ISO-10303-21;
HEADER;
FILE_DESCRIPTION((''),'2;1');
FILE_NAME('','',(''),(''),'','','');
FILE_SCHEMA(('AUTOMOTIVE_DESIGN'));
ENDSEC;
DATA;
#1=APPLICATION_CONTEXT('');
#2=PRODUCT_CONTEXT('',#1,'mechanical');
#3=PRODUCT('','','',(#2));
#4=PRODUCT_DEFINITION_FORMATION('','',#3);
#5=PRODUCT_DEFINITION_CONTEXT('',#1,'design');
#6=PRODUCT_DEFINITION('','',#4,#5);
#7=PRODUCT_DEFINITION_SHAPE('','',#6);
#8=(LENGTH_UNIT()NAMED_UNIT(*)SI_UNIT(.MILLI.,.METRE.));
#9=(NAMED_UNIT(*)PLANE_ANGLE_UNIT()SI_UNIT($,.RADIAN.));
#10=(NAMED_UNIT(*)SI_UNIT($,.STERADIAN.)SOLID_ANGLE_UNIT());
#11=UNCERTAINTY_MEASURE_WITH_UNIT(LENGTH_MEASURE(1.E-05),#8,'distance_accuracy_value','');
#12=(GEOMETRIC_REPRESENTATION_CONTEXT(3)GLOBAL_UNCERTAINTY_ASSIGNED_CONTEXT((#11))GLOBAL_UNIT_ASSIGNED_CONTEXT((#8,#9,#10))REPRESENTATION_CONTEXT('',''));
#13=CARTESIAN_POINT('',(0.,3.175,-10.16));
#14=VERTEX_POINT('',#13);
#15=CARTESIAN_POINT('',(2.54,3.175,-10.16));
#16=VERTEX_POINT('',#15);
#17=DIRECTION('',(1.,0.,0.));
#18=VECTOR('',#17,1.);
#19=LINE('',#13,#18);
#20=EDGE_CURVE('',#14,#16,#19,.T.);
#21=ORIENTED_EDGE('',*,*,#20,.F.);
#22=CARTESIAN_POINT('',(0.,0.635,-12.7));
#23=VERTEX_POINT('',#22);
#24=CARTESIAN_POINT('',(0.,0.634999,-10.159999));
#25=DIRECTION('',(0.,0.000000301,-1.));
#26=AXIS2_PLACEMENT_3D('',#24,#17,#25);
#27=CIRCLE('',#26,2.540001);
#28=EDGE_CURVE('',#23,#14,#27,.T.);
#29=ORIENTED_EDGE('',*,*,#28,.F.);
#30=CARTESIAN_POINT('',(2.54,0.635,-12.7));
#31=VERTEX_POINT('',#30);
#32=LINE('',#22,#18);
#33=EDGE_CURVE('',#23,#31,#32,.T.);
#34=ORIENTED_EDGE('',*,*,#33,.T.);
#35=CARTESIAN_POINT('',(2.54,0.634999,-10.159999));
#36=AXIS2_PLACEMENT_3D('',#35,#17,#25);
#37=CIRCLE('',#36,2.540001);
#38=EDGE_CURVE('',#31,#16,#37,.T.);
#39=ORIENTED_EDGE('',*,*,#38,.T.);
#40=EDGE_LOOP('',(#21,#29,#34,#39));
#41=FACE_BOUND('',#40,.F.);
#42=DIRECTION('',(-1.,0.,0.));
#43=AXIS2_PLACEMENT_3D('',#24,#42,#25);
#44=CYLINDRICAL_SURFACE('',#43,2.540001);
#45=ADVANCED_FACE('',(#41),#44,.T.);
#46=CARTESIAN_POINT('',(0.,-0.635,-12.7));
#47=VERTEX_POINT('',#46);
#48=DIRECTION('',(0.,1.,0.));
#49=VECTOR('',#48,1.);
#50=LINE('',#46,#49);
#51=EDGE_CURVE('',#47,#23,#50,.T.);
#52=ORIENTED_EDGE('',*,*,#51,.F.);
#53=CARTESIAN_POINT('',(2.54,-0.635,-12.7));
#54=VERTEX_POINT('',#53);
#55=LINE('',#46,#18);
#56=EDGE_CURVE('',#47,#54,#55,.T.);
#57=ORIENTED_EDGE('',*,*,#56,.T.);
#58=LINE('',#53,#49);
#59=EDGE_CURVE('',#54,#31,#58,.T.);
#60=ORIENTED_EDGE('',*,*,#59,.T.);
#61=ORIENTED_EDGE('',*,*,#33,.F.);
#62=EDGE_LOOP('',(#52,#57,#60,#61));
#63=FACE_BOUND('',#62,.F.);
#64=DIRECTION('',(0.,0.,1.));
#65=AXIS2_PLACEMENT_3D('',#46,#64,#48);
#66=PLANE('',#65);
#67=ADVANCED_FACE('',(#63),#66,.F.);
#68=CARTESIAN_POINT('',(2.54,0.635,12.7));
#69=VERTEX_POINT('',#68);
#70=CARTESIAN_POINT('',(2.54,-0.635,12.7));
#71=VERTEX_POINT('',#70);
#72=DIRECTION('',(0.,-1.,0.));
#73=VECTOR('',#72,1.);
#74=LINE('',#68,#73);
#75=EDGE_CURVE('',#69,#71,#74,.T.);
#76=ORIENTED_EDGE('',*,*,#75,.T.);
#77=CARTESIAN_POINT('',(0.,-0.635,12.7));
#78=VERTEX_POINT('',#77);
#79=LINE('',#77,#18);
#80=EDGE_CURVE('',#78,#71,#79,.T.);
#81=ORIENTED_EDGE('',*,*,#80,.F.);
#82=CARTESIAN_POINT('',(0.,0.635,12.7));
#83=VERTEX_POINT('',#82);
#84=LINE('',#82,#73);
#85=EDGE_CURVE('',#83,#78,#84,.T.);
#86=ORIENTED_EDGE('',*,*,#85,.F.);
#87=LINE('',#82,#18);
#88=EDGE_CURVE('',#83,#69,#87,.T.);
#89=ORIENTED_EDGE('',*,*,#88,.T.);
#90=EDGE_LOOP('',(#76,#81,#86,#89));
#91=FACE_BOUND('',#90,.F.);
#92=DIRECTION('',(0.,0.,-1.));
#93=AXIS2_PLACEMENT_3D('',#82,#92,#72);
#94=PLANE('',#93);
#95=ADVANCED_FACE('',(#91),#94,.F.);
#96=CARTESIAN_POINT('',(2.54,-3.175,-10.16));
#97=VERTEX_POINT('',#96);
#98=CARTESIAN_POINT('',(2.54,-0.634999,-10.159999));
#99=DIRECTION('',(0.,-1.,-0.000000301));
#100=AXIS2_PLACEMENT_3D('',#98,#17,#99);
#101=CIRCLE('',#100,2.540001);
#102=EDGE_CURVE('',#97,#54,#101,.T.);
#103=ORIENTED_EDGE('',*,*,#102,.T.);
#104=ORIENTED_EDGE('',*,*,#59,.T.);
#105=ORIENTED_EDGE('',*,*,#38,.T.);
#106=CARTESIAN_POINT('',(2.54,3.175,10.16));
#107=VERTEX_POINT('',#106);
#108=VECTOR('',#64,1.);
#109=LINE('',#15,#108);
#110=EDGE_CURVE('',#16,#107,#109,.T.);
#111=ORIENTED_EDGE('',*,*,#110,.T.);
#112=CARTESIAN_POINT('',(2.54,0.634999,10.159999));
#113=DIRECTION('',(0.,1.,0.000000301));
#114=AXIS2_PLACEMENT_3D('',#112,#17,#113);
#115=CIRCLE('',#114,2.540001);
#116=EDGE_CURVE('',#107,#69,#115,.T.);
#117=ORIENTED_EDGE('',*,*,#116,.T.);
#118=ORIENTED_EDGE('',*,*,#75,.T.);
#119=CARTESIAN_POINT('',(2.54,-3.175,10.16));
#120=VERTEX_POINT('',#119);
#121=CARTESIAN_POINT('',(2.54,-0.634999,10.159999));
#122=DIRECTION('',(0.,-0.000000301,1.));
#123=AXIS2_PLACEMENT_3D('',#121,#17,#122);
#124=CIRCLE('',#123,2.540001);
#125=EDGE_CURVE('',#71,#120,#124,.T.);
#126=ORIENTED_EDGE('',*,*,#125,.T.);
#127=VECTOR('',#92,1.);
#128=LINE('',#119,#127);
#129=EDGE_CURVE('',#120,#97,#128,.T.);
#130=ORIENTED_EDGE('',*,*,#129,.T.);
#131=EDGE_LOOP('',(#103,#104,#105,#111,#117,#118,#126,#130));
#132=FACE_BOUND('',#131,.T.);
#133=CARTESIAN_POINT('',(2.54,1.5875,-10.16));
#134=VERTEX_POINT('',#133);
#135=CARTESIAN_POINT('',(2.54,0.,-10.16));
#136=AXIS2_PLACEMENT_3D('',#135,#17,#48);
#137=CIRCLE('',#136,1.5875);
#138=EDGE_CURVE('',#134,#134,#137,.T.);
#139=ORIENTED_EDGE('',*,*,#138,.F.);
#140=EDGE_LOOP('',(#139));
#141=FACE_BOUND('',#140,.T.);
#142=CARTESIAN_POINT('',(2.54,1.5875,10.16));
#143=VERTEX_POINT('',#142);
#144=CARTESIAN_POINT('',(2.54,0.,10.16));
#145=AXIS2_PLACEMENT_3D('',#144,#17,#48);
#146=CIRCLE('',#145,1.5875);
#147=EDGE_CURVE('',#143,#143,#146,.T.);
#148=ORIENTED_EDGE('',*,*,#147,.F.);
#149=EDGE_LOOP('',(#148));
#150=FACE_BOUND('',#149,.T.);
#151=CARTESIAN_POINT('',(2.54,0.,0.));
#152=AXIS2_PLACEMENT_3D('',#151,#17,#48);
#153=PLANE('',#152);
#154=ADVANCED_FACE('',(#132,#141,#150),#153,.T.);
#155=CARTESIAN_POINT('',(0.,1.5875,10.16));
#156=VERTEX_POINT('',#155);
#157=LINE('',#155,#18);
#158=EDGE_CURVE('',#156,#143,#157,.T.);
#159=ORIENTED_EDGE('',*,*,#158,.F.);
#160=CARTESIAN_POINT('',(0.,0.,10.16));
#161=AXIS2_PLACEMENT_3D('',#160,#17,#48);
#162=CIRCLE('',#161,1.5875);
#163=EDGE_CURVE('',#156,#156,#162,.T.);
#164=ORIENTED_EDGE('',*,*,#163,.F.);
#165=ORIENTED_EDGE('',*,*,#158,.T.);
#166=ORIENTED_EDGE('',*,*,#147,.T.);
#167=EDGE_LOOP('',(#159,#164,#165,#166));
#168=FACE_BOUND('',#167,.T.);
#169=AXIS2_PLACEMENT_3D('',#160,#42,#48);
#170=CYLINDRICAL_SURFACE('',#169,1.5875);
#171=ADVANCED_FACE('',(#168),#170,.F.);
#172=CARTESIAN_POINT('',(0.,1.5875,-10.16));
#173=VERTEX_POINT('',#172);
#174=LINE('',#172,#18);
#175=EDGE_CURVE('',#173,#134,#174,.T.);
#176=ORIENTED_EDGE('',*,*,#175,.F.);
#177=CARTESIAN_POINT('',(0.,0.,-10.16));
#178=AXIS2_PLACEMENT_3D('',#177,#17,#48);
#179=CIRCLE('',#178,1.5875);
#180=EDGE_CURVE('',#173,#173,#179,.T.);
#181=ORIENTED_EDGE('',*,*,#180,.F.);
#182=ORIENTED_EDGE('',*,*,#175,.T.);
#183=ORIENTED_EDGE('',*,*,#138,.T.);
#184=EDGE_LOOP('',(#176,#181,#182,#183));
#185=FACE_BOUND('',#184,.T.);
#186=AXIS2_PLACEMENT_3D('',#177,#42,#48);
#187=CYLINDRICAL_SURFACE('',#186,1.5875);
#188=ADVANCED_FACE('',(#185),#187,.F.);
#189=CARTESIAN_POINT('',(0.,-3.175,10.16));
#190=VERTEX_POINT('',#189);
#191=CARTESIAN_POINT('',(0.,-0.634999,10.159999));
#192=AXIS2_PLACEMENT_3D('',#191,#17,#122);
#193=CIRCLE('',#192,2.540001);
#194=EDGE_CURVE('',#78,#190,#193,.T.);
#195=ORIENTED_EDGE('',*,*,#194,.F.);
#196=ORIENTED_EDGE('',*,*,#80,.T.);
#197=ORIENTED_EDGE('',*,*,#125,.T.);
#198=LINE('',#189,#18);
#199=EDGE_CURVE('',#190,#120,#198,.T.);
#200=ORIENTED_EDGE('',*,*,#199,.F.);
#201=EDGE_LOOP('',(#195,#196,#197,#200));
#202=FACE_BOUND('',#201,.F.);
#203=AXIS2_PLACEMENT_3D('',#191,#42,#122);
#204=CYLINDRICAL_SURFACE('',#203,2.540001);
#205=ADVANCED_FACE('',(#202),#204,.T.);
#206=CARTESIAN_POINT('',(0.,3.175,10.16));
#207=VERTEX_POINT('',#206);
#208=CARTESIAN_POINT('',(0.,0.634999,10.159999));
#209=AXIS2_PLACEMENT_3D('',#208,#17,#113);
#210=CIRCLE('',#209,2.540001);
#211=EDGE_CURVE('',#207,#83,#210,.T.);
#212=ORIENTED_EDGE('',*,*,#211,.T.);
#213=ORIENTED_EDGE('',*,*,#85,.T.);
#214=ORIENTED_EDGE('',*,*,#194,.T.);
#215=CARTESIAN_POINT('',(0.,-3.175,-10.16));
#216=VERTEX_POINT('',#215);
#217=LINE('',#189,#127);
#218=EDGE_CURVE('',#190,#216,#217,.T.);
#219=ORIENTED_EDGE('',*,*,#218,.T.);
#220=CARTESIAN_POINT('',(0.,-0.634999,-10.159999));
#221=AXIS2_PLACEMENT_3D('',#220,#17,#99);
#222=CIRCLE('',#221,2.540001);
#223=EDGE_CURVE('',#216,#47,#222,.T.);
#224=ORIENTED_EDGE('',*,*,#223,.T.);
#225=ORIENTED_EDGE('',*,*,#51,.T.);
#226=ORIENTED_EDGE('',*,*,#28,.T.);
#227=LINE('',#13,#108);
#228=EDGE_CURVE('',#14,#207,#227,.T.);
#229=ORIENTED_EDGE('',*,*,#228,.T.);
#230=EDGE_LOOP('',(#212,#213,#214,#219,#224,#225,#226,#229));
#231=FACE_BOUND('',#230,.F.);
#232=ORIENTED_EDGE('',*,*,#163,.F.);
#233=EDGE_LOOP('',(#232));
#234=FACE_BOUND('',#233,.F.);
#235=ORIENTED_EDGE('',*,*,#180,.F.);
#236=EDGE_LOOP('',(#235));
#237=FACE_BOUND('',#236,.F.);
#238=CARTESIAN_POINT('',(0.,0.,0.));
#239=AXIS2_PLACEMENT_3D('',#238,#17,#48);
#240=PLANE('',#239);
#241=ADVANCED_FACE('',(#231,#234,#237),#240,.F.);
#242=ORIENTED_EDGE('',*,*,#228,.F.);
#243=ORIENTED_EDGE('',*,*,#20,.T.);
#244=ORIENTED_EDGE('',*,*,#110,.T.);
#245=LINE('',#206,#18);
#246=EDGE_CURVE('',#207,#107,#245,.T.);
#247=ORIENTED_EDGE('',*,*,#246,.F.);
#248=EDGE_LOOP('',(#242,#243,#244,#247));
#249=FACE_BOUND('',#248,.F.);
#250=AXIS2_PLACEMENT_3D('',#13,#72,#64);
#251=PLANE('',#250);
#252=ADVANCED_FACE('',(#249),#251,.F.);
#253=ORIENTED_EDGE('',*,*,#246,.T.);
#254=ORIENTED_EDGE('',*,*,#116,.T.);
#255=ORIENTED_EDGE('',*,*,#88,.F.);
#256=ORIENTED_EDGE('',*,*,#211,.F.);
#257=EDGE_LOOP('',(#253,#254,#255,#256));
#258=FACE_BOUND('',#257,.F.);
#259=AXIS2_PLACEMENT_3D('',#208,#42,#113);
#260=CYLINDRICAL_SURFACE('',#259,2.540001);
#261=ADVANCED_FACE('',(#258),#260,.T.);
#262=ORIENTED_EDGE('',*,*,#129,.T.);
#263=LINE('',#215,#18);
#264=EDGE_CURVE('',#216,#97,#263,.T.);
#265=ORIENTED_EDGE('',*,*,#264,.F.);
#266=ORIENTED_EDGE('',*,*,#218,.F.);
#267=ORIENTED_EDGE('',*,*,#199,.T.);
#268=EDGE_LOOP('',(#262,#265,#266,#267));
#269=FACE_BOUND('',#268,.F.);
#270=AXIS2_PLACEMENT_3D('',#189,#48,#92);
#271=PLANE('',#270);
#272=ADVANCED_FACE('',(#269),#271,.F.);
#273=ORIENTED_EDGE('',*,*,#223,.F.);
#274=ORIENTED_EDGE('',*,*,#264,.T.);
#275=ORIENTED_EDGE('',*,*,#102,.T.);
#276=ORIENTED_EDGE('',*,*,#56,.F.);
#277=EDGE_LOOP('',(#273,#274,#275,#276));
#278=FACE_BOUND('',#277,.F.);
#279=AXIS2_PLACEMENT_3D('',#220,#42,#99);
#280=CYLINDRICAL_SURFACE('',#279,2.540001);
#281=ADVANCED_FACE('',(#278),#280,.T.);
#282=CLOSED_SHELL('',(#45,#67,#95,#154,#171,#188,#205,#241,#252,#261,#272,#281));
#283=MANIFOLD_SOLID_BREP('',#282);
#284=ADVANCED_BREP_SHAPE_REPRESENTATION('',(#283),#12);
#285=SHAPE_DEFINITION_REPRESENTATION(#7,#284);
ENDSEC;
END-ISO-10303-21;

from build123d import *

# Parameters (mm, degrees)
F0_R     = 1.5875
F1_DEPTH = 2.54


with BuildPart() as f1:
    # F0 (on Right) → F1 (new body)
    with BuildSketch(Plane.YZ):
        with BuildLine():
            ThreePointArc((3.175, 10.16), (2.431051, 11.956051), (0.635, 12.7))
            Line((0.635, 12.7), (-0.635, 12.7))
            ThreePointArc((-0.635, 12.7), (-2.431051, 11.956051), (-3.175, 10.16))
            Line((-3.175, 10.16), (-3.175, -10.16))
            ThreePointArc((-3.175, -10.16), (-2.431051, -11.956051), (-0.635, -12.7))
            Line((-0.635, -12.7), (0.635, -12.7))
            ThreePointArc((0.635, -12.7), (2.431051, -11.956051), (3.175, -10.16))
            Line((3.175, -10.16), (3.175, 10.16))
        make_face()
        with Locations((0, -10.16)):
            Circle(F0_R, mode=Mode.SUBTRACT)
        with Locations((0, 10.16)):
            Circle(F0_R, mode=Mode.SUBTRACT)
    extrude(amount=F1_DEPTH)


solid = f1.part
